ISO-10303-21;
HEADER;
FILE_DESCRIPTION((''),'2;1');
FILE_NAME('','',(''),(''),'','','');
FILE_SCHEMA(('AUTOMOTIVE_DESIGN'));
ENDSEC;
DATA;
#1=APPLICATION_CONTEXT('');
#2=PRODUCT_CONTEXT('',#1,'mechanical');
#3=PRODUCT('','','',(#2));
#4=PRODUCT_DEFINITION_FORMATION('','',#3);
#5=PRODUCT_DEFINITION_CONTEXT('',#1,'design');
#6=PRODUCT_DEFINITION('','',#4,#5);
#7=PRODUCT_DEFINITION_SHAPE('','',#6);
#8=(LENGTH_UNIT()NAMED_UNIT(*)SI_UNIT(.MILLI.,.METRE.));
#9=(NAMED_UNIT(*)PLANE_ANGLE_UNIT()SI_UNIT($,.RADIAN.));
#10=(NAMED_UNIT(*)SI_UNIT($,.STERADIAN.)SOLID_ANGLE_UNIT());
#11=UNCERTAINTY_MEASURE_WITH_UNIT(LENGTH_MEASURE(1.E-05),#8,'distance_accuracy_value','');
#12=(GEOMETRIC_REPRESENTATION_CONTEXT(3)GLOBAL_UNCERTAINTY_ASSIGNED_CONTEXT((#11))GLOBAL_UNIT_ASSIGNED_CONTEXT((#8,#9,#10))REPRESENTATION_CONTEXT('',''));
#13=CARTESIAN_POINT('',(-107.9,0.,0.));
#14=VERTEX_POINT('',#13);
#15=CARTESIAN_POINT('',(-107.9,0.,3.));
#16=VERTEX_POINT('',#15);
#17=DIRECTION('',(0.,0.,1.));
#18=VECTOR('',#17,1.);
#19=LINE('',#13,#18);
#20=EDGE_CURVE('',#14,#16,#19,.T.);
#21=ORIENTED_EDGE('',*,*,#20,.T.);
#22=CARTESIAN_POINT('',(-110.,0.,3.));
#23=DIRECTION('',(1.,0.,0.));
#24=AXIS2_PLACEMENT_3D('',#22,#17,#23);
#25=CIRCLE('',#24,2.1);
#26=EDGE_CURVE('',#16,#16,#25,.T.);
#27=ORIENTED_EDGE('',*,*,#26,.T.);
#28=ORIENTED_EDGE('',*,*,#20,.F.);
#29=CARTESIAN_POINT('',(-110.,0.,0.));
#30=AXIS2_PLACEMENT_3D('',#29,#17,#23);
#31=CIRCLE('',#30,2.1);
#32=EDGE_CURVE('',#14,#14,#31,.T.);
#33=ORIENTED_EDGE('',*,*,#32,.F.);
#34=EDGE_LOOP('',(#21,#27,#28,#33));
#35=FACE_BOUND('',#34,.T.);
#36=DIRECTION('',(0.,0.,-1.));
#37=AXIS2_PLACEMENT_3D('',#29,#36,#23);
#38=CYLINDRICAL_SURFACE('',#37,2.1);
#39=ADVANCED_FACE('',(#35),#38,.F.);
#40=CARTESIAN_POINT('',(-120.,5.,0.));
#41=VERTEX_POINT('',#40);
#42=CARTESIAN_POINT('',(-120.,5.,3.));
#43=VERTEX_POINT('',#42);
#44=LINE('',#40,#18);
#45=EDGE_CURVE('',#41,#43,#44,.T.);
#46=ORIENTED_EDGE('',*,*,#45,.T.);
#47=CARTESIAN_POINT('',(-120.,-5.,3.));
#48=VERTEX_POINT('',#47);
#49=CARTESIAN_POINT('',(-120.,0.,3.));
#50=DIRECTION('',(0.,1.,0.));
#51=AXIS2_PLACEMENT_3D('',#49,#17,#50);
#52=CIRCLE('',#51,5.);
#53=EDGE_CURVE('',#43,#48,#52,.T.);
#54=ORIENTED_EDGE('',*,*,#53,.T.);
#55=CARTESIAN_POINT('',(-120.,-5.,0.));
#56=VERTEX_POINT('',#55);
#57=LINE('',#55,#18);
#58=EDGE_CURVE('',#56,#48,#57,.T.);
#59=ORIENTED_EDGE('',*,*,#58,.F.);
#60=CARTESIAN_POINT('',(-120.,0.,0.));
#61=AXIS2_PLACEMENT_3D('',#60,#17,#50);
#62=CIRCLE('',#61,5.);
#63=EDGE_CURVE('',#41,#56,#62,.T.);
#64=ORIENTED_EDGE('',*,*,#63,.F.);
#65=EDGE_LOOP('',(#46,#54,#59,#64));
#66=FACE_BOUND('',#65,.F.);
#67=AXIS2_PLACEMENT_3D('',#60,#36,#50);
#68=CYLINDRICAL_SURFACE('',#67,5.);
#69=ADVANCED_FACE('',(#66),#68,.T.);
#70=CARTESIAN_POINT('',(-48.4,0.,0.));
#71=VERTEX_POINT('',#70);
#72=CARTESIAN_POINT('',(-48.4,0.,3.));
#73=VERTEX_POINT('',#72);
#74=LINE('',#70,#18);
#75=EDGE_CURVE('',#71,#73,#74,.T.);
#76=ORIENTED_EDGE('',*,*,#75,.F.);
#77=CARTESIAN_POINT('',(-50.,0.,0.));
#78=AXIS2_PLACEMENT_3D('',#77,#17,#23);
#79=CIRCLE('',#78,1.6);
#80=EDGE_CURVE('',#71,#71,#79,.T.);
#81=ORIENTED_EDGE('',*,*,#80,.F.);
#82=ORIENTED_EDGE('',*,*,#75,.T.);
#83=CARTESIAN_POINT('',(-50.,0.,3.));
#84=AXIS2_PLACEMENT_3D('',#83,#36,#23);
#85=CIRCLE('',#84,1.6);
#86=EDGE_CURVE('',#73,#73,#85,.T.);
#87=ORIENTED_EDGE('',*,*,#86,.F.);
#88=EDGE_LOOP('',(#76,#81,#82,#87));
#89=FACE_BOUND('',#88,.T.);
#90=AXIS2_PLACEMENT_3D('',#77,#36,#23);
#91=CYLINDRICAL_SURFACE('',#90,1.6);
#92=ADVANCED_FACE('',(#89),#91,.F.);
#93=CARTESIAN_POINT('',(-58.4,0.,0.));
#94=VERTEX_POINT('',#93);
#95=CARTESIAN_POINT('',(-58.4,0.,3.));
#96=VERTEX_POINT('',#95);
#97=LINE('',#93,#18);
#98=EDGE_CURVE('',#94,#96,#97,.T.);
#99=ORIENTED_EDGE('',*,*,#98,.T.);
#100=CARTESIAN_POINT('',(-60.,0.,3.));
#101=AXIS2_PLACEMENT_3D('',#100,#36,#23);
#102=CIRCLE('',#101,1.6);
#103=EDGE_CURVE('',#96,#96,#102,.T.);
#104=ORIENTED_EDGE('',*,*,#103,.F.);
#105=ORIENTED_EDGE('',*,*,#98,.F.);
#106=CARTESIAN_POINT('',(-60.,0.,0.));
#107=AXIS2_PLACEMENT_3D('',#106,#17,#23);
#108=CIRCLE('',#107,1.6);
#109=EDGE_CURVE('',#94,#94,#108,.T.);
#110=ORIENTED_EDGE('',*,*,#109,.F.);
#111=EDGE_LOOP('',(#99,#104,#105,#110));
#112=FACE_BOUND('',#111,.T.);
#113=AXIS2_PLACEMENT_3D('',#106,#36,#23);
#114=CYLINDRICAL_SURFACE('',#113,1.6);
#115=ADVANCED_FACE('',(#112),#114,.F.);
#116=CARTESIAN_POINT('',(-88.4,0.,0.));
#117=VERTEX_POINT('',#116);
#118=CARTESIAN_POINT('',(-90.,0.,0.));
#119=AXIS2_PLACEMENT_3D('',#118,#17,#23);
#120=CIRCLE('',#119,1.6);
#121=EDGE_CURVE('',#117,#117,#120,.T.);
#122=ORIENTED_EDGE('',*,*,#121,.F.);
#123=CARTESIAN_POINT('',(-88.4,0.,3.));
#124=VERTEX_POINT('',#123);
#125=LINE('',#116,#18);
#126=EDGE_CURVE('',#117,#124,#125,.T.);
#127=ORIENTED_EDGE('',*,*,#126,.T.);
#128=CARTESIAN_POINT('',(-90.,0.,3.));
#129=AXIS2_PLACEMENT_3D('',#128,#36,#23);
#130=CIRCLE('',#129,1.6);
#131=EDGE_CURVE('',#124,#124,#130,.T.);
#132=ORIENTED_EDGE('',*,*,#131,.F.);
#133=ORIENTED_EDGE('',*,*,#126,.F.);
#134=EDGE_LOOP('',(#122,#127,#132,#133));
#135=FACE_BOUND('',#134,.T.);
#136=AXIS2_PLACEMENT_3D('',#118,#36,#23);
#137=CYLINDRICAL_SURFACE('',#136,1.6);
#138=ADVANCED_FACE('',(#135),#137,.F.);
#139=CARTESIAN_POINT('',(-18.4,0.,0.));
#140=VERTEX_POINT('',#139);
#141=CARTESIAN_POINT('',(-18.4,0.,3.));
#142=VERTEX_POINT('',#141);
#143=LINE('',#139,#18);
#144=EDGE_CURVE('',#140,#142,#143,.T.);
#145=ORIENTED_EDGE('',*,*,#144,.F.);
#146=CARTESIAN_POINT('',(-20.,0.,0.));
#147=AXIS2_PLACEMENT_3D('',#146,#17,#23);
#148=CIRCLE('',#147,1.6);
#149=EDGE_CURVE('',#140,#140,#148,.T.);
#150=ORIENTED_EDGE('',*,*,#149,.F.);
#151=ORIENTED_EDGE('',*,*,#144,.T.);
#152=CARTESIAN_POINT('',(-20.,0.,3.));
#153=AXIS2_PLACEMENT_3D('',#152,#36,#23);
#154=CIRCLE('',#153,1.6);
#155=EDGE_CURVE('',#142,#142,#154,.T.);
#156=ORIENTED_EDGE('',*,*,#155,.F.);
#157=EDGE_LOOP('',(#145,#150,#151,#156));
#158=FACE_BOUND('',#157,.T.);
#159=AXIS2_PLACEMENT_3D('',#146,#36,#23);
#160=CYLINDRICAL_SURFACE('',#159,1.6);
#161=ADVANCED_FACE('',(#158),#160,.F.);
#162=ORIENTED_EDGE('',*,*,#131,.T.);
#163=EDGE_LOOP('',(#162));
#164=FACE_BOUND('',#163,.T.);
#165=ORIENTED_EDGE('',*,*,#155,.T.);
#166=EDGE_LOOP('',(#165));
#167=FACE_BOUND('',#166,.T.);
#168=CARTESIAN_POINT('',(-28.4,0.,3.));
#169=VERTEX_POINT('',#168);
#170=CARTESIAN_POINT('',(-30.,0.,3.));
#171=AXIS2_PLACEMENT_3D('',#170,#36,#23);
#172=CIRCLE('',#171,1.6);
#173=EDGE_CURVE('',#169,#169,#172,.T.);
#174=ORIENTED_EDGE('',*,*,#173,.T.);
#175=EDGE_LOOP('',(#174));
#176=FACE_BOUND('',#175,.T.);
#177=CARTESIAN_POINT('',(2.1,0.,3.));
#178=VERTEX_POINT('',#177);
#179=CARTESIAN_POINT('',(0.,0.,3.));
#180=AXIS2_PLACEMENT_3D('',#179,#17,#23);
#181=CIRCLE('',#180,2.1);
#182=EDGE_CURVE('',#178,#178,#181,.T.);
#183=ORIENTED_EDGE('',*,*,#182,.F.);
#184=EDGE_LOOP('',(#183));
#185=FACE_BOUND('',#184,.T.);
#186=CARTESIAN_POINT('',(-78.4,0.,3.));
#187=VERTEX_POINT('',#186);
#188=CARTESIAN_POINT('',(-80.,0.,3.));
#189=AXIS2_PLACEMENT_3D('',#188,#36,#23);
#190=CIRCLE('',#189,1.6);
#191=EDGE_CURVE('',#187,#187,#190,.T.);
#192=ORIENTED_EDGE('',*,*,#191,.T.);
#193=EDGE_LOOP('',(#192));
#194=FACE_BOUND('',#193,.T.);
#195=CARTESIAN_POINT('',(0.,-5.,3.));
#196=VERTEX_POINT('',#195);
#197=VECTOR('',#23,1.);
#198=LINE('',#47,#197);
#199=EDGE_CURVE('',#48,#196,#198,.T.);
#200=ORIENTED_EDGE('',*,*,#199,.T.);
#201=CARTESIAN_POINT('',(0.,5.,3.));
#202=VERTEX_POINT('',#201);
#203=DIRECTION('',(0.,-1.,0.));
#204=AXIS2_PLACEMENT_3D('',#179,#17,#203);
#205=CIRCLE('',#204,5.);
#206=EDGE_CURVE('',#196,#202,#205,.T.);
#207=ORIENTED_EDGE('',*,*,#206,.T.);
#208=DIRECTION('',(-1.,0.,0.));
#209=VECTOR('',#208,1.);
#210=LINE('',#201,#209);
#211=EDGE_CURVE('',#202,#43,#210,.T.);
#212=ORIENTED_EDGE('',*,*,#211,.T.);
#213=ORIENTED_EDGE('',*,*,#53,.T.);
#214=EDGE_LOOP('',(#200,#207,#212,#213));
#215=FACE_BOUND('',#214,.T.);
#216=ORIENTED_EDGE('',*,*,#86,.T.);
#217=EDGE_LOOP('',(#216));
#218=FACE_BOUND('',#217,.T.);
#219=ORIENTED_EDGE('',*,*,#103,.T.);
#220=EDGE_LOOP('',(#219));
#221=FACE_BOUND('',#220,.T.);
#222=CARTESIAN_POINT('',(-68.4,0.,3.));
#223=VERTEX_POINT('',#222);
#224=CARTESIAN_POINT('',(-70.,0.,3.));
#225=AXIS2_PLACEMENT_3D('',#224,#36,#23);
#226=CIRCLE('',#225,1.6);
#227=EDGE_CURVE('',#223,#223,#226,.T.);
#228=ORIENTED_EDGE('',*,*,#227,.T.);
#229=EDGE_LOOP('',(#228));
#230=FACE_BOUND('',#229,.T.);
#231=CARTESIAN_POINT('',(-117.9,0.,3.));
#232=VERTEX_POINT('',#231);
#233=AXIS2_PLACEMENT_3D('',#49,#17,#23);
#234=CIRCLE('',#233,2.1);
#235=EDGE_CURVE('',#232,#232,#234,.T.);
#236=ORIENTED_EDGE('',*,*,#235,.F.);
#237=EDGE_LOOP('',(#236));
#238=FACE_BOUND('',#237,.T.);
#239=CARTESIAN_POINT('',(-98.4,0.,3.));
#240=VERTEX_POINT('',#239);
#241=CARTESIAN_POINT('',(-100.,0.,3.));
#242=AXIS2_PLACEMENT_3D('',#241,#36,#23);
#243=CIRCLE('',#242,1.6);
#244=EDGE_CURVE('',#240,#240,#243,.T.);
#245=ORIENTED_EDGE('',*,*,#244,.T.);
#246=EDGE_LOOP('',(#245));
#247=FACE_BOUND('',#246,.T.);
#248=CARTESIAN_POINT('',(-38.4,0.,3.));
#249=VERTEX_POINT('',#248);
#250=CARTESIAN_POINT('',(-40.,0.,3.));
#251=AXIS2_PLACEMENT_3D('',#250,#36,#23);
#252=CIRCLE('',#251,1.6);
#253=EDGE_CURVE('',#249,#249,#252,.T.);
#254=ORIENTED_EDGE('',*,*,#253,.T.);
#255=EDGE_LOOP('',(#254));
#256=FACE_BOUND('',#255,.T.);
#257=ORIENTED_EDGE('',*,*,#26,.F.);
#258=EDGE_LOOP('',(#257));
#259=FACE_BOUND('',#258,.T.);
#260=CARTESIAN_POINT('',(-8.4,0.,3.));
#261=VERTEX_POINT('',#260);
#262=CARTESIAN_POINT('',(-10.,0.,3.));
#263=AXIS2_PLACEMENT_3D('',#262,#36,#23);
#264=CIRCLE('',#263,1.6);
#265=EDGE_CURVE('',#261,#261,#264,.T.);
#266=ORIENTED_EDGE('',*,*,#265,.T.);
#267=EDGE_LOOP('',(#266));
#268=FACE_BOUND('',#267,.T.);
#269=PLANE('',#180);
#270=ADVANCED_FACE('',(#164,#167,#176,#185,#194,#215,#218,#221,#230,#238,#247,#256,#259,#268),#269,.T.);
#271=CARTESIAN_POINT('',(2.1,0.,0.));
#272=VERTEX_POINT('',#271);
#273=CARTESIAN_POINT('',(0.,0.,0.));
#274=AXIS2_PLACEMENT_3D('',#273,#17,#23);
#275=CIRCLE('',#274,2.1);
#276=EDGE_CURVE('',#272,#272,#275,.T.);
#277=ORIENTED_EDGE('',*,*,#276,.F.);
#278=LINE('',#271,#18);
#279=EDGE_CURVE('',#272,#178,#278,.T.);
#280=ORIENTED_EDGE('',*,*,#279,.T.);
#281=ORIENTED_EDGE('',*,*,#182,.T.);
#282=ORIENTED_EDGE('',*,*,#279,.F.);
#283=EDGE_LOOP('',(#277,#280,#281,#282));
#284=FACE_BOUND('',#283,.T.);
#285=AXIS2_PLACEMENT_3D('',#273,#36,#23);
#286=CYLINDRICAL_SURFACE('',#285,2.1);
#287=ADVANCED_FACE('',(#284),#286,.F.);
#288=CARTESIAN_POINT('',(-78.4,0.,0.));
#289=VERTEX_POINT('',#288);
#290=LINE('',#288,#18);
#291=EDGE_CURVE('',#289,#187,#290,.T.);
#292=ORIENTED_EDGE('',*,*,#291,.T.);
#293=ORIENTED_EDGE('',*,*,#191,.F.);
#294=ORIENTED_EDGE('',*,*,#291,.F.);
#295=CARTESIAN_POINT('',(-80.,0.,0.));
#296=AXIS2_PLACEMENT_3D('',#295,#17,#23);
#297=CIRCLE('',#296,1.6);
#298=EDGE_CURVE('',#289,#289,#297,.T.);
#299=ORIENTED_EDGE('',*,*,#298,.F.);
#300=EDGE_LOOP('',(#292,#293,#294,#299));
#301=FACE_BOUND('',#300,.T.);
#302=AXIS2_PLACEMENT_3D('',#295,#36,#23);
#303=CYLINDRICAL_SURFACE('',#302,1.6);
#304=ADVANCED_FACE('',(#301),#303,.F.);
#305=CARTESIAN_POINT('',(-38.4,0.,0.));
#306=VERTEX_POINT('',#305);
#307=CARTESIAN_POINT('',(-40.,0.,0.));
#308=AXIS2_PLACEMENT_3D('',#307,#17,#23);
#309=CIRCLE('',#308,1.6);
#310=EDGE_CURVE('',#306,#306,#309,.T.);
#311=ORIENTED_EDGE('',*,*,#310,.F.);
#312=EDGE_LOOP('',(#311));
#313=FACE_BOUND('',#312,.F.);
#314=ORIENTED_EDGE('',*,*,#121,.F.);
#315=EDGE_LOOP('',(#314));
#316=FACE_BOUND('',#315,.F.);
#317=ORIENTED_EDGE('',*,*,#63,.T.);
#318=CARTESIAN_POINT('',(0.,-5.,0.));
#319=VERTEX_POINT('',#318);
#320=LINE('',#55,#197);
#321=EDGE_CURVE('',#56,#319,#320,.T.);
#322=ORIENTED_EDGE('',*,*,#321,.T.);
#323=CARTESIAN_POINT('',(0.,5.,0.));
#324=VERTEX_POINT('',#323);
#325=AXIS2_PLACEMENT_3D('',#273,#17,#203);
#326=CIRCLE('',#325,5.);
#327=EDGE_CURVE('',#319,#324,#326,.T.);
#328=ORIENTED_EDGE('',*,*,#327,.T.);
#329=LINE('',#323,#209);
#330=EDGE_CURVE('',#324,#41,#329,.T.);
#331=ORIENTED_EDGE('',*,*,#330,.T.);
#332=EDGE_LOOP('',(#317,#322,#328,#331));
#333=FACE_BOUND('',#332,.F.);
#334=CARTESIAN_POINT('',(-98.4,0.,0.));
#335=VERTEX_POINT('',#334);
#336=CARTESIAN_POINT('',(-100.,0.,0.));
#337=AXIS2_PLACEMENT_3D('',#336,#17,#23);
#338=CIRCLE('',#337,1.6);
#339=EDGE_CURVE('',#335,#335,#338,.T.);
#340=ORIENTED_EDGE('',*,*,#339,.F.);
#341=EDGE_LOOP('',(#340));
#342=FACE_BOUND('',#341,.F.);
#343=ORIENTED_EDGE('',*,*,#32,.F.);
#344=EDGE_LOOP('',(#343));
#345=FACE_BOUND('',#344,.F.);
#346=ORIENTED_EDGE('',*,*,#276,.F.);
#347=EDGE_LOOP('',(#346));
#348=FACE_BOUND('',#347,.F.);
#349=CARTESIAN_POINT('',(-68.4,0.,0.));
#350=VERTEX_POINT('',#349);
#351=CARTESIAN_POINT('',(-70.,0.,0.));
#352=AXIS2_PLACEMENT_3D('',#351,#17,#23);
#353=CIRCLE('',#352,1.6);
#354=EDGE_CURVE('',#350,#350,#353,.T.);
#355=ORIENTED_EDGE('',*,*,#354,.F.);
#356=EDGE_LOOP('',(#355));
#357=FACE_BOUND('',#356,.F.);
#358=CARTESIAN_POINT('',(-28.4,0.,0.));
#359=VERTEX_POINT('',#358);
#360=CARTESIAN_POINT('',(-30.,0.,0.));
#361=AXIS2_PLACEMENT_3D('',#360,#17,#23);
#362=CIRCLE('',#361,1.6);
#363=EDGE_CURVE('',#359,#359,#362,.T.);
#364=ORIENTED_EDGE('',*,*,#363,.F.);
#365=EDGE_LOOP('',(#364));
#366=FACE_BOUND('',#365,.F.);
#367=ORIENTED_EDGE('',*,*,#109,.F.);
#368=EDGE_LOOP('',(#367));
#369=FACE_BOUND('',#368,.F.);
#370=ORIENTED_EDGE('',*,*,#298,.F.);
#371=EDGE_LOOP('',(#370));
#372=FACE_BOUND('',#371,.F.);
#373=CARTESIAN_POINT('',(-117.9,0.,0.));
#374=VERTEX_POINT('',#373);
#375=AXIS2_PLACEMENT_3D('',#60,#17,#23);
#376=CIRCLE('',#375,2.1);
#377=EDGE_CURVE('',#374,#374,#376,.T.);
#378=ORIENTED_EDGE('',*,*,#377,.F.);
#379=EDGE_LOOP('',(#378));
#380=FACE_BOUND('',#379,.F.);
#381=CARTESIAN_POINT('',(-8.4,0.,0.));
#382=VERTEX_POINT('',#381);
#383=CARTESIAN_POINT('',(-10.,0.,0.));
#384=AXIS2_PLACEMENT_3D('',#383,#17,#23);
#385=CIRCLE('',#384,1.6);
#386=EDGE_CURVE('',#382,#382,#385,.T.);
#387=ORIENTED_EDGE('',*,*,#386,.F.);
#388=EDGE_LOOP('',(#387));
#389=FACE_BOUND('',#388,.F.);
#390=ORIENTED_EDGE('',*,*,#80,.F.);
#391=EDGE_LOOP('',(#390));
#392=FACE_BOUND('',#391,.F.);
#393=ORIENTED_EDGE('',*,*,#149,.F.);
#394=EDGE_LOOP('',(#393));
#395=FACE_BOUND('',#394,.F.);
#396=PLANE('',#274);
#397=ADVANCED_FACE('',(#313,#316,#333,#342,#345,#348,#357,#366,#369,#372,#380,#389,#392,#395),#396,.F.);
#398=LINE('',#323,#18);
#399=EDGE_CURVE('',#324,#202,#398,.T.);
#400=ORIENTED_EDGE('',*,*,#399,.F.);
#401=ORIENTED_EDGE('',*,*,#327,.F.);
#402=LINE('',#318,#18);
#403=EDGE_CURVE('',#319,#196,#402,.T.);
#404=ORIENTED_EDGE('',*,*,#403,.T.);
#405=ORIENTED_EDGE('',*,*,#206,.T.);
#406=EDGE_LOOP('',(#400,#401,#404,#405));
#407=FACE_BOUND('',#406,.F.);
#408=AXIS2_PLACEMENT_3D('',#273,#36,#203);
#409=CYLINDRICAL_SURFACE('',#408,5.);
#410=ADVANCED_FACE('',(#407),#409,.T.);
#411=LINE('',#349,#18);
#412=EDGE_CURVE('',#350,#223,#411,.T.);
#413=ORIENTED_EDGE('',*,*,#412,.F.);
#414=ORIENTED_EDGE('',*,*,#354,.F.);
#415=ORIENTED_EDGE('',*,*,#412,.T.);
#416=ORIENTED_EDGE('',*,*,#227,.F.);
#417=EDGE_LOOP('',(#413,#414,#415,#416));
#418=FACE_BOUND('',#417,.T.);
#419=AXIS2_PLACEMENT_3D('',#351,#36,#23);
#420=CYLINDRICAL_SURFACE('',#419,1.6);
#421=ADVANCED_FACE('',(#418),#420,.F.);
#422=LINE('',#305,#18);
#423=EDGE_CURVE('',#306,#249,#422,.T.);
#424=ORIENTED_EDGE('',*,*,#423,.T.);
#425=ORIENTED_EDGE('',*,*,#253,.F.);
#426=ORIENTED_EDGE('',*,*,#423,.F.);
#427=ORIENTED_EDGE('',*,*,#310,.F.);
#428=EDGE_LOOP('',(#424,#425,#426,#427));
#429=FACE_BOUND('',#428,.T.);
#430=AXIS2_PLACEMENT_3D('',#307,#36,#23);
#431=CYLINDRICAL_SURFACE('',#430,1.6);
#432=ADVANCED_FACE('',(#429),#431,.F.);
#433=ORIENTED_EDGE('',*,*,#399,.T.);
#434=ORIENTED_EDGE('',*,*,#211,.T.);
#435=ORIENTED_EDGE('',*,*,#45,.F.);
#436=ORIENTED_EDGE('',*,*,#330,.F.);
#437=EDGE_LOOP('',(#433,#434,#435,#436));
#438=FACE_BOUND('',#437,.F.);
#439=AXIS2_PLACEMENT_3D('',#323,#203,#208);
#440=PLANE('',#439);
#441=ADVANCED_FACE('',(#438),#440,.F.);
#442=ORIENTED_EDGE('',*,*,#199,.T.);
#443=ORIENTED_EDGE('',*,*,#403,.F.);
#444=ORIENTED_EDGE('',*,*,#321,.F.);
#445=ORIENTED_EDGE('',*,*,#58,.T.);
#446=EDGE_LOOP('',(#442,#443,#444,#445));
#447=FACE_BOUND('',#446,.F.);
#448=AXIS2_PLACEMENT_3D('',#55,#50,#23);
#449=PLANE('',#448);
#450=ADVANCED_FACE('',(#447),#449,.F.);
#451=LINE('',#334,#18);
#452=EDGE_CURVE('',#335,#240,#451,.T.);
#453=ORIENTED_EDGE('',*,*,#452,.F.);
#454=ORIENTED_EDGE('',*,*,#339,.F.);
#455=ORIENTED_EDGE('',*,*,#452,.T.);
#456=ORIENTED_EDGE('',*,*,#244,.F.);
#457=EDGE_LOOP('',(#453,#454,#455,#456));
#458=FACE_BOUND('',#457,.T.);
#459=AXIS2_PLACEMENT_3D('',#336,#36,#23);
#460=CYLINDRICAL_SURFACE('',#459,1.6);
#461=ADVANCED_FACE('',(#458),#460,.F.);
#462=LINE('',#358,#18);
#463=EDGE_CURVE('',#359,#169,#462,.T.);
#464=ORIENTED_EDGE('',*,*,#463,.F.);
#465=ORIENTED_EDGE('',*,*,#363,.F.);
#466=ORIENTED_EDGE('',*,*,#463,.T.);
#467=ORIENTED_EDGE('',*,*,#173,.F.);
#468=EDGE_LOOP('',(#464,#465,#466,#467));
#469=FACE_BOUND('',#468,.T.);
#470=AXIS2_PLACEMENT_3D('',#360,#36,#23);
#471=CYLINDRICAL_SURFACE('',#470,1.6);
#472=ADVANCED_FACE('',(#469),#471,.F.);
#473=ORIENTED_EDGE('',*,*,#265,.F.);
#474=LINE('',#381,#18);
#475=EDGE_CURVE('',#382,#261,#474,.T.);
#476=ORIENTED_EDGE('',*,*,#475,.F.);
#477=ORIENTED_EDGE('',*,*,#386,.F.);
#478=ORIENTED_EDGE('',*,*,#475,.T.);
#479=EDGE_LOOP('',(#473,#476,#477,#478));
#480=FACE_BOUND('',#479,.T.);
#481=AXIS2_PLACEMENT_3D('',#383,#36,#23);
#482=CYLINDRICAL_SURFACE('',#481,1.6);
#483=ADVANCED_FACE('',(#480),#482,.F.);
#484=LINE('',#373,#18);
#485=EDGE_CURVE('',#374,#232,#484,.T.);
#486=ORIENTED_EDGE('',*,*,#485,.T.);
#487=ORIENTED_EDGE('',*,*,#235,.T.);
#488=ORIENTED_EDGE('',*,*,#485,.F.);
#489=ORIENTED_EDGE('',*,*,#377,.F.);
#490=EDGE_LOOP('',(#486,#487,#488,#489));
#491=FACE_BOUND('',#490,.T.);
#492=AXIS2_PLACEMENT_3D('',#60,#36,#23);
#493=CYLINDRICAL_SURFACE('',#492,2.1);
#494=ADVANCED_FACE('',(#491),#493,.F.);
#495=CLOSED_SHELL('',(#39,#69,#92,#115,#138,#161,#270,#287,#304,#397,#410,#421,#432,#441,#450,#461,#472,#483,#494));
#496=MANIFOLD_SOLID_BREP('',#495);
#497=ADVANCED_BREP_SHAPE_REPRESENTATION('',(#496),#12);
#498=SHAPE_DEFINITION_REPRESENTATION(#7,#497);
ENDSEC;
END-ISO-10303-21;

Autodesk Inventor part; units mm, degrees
ref_plane "YZ Plane" through (0, 0, 0) normal (1, 0, 0) x (0, 1, 0)
ref_plane "XZ Plane" through (0, 0, 0) normal (0, 1, 0) x (-1, 0, 0)
ref_plane "XY Plane" through (0, 0, 0) normal (0, 0, 1) x (1, 0, 0)
sketch "草圖1" plane through (0, 0, 0) normal (0, 0, 1) x (1, 0, 0)
  line L0 (-120, 0) -> (0, 0) construction
  line L1 (-120, -5) -> (0, -5)
  line L2 (0, 5) -> (-120, 5)
  arc A0 (-120, 5) -> (-120, -5) centre (-120, 0) ccw
  arc A1 (0, -5) -> (0, 5) centre (0, 0) ccw
  circle A2 centre (-120, 0) radius 2.1
  circle A3 centre (0, 0) radius 2.1
  circle A4 centre (-110, 0) radius 2.1
  circle A5 centre (-100, 0) radius 1.6
  circle A6 centre (-90, 0) radius 1.6
  circle A7 centre (-80, 0) radius 1.6
  circle A8 centre (-70, 0) radius 1.6
  circle A9 centre (-60, 0) radius 1.6
  circle A10 centre (-50, 0) radius 1.6
  circle A11 centre (-40, 0) radius 1.6
  circle A12 centre (-30, 0) radius 1.6
  circle A13 centre (-20, 0) radius 1.6
  circle A14 centre (-10, 0) radius 1.6
  dimension "d0" = 120
  dimension "d1" = 10
  dimension "d2" = 4.2
  dimension "d3" = 4.2
  dimension "d4" = 4.2
  dimension "d11" = 3.2
  dimension "d12" = 10
  dimension "d13" = 10
  dimension "d16" = 10
extrude "擠出1" add sketch "草圖1" along normal blind 3 contours A0 L2 A1 L1 | A5 | A6 | A7 | A8 | A9 | A10 | A11 | A12 | A13 | A14
extrude "擠出2" cut sketch "草圖1" along normal blind 10 contours A5 | A6 | A7 | A8 | A9 | A10 | A11 | A12 | A13 | A14
sketch "草圖3" plane through (0, 0, 3) normal (0, 0, 1) x (1, 0, 0)
  circle A0 centre (-10, 0) radius 1.6 projected
  circle A1 centre (-50, 0) radius 1.6 projected
  circle A2 centre (-80, 0) radius 1.6 projected
  circle A3 centre (-40, 0) radius 1.6 projected
  circle A4 centre (-90, 0) radius 1.6 projected
  circle A5 centre (-20, 0) radius 1.6 projected
  circle A6 centre (-60, 0) radius 1.6 projected
  circle A7 centre (-70, 0) radius 1.6 projected
  circle A8 centre (-30, 0) radius 1.6 projected
  circle A9 centre (-100, 0) radius 1.6 projected
  arc A10 (0, -5) -> (0, 5) centre (0, 0) ccw projected
  line L0 (0, 5) -> (-120, 5) projected
  arc A11 (-120, 5) -> (-120, -5) centre (-120, 0) ccw projected
  line L1 (-120, -5) -> (0, -5) projected
  circle A12 centre (0, 0) radius 2.1 projected
  circle A13 centre (-110, 0) radius 2.1 projected
  circle A14 centre (-120, 0) radius 2.1 projected
properties part number "adjustable"
